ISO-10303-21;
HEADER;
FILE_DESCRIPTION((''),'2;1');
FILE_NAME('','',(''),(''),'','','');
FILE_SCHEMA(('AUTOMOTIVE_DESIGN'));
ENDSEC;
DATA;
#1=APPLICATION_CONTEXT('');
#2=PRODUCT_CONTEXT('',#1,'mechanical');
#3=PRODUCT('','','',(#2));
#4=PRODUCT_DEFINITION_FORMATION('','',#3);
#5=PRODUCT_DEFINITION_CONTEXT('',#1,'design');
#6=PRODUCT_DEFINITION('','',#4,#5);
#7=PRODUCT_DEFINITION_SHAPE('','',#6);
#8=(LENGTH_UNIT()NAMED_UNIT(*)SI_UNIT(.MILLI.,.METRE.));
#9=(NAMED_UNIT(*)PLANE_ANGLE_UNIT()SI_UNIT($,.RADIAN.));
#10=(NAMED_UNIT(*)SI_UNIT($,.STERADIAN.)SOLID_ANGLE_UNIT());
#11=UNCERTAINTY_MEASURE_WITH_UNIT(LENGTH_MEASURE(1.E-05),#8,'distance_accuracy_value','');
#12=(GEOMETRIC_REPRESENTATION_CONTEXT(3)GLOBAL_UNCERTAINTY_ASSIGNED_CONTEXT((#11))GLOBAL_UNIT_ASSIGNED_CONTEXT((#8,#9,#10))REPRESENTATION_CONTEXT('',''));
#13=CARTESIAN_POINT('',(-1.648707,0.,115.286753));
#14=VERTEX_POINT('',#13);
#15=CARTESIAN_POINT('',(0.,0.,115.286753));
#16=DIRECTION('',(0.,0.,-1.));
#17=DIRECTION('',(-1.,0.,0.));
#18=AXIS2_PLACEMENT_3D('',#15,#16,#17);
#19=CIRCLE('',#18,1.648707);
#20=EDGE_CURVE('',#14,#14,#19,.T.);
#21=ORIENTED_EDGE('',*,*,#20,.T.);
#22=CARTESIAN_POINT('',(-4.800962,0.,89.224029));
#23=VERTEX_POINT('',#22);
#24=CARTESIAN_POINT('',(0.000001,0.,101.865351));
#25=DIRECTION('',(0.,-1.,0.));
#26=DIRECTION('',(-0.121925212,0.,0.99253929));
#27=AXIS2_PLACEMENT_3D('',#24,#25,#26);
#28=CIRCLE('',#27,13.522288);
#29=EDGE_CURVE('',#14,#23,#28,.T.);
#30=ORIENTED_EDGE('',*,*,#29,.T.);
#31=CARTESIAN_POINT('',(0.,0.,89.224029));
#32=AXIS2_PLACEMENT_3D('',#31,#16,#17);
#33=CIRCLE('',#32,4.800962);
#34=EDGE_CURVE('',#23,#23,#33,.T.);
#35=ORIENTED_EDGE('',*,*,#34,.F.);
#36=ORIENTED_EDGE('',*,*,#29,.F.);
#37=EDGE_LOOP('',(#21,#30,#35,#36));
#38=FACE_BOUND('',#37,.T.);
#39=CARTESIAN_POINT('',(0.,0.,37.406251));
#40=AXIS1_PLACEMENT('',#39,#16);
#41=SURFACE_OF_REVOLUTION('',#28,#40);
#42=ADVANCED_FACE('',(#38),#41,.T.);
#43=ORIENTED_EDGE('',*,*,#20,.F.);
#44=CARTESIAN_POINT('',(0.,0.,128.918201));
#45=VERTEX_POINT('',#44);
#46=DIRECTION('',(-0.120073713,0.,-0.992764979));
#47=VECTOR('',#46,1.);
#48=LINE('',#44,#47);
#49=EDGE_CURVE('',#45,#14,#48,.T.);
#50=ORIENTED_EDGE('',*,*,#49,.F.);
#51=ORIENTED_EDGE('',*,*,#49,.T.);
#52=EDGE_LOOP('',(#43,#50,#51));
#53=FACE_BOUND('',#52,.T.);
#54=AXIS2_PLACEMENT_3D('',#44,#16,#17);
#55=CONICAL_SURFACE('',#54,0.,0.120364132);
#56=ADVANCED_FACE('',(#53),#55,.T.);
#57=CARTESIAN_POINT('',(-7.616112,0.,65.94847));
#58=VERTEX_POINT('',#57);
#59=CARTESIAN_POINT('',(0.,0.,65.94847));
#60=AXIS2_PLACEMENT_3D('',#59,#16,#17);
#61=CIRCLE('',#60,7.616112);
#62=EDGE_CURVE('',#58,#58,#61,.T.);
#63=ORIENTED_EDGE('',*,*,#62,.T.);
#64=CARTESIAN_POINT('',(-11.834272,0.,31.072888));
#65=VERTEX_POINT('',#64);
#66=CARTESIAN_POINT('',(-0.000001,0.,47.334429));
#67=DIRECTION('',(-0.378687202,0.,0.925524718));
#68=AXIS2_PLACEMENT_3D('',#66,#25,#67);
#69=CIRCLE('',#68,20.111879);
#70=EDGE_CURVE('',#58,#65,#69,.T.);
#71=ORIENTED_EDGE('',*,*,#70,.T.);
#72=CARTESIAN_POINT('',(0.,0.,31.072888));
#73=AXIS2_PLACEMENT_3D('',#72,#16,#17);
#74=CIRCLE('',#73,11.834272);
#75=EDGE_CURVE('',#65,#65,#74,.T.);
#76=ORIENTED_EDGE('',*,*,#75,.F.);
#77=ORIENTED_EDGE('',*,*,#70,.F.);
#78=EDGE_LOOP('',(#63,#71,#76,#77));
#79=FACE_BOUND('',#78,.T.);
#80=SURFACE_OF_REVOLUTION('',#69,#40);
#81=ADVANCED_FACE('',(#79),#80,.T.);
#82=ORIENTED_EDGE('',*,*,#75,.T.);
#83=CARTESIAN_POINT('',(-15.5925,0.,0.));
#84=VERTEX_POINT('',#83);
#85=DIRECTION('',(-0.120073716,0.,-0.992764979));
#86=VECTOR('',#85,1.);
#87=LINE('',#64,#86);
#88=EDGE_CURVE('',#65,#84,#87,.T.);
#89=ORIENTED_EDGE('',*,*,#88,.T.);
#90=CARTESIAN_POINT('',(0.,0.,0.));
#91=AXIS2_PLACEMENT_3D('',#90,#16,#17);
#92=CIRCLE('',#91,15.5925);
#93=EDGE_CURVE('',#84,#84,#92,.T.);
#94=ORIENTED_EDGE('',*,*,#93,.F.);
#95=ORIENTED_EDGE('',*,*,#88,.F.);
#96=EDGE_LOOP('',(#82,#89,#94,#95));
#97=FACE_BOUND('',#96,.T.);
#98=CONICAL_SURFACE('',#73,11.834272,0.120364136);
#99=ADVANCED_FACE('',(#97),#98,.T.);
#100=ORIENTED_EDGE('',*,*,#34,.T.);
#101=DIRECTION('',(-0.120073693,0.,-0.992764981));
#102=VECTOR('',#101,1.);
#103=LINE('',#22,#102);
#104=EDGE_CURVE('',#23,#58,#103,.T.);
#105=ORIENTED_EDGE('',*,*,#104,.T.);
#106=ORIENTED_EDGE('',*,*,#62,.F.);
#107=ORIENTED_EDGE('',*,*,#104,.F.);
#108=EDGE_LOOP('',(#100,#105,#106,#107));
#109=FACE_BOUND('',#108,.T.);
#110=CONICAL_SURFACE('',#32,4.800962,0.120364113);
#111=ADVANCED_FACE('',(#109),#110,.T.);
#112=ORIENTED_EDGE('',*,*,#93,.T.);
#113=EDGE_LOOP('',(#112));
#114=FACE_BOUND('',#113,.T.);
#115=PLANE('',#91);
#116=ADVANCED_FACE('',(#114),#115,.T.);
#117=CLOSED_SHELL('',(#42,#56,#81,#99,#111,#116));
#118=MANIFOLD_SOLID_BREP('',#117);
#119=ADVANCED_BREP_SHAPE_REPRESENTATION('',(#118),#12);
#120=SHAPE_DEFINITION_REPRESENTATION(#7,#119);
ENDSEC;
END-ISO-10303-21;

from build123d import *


with BuildPart() as f1:
    # F0 (on Front) → F1 (revolve)
    with BuildSketch(Plane.XZ):
        with BuildLine():
            Line((-15.5925, 0), (0, 0))
            Line((0, 0), (0, 74.812502))
            Line((0, 74.812502), (0, 128.918201))
            Line((0, 128.918201), (-1.648707, 115.286753))
            ThreePointArc((-1.648707, 115.286753), (-13.424453, 103.489022), (-4.800962, 89.224029))
            Line((-4.800962, 89.224029), (-7.616112, 65.94847))
            ThreePointArc((-7.616112, 65.94847), (-19.96637, 49.749337), (-11.834272, 31.072888))
            Line((-11.834272, 31.072888), (-15.5925, 0))
        make_face()
    revolve(axis=Axis((0, 0, 37.406251), (0, 0, -1)))


solid = f1.part
